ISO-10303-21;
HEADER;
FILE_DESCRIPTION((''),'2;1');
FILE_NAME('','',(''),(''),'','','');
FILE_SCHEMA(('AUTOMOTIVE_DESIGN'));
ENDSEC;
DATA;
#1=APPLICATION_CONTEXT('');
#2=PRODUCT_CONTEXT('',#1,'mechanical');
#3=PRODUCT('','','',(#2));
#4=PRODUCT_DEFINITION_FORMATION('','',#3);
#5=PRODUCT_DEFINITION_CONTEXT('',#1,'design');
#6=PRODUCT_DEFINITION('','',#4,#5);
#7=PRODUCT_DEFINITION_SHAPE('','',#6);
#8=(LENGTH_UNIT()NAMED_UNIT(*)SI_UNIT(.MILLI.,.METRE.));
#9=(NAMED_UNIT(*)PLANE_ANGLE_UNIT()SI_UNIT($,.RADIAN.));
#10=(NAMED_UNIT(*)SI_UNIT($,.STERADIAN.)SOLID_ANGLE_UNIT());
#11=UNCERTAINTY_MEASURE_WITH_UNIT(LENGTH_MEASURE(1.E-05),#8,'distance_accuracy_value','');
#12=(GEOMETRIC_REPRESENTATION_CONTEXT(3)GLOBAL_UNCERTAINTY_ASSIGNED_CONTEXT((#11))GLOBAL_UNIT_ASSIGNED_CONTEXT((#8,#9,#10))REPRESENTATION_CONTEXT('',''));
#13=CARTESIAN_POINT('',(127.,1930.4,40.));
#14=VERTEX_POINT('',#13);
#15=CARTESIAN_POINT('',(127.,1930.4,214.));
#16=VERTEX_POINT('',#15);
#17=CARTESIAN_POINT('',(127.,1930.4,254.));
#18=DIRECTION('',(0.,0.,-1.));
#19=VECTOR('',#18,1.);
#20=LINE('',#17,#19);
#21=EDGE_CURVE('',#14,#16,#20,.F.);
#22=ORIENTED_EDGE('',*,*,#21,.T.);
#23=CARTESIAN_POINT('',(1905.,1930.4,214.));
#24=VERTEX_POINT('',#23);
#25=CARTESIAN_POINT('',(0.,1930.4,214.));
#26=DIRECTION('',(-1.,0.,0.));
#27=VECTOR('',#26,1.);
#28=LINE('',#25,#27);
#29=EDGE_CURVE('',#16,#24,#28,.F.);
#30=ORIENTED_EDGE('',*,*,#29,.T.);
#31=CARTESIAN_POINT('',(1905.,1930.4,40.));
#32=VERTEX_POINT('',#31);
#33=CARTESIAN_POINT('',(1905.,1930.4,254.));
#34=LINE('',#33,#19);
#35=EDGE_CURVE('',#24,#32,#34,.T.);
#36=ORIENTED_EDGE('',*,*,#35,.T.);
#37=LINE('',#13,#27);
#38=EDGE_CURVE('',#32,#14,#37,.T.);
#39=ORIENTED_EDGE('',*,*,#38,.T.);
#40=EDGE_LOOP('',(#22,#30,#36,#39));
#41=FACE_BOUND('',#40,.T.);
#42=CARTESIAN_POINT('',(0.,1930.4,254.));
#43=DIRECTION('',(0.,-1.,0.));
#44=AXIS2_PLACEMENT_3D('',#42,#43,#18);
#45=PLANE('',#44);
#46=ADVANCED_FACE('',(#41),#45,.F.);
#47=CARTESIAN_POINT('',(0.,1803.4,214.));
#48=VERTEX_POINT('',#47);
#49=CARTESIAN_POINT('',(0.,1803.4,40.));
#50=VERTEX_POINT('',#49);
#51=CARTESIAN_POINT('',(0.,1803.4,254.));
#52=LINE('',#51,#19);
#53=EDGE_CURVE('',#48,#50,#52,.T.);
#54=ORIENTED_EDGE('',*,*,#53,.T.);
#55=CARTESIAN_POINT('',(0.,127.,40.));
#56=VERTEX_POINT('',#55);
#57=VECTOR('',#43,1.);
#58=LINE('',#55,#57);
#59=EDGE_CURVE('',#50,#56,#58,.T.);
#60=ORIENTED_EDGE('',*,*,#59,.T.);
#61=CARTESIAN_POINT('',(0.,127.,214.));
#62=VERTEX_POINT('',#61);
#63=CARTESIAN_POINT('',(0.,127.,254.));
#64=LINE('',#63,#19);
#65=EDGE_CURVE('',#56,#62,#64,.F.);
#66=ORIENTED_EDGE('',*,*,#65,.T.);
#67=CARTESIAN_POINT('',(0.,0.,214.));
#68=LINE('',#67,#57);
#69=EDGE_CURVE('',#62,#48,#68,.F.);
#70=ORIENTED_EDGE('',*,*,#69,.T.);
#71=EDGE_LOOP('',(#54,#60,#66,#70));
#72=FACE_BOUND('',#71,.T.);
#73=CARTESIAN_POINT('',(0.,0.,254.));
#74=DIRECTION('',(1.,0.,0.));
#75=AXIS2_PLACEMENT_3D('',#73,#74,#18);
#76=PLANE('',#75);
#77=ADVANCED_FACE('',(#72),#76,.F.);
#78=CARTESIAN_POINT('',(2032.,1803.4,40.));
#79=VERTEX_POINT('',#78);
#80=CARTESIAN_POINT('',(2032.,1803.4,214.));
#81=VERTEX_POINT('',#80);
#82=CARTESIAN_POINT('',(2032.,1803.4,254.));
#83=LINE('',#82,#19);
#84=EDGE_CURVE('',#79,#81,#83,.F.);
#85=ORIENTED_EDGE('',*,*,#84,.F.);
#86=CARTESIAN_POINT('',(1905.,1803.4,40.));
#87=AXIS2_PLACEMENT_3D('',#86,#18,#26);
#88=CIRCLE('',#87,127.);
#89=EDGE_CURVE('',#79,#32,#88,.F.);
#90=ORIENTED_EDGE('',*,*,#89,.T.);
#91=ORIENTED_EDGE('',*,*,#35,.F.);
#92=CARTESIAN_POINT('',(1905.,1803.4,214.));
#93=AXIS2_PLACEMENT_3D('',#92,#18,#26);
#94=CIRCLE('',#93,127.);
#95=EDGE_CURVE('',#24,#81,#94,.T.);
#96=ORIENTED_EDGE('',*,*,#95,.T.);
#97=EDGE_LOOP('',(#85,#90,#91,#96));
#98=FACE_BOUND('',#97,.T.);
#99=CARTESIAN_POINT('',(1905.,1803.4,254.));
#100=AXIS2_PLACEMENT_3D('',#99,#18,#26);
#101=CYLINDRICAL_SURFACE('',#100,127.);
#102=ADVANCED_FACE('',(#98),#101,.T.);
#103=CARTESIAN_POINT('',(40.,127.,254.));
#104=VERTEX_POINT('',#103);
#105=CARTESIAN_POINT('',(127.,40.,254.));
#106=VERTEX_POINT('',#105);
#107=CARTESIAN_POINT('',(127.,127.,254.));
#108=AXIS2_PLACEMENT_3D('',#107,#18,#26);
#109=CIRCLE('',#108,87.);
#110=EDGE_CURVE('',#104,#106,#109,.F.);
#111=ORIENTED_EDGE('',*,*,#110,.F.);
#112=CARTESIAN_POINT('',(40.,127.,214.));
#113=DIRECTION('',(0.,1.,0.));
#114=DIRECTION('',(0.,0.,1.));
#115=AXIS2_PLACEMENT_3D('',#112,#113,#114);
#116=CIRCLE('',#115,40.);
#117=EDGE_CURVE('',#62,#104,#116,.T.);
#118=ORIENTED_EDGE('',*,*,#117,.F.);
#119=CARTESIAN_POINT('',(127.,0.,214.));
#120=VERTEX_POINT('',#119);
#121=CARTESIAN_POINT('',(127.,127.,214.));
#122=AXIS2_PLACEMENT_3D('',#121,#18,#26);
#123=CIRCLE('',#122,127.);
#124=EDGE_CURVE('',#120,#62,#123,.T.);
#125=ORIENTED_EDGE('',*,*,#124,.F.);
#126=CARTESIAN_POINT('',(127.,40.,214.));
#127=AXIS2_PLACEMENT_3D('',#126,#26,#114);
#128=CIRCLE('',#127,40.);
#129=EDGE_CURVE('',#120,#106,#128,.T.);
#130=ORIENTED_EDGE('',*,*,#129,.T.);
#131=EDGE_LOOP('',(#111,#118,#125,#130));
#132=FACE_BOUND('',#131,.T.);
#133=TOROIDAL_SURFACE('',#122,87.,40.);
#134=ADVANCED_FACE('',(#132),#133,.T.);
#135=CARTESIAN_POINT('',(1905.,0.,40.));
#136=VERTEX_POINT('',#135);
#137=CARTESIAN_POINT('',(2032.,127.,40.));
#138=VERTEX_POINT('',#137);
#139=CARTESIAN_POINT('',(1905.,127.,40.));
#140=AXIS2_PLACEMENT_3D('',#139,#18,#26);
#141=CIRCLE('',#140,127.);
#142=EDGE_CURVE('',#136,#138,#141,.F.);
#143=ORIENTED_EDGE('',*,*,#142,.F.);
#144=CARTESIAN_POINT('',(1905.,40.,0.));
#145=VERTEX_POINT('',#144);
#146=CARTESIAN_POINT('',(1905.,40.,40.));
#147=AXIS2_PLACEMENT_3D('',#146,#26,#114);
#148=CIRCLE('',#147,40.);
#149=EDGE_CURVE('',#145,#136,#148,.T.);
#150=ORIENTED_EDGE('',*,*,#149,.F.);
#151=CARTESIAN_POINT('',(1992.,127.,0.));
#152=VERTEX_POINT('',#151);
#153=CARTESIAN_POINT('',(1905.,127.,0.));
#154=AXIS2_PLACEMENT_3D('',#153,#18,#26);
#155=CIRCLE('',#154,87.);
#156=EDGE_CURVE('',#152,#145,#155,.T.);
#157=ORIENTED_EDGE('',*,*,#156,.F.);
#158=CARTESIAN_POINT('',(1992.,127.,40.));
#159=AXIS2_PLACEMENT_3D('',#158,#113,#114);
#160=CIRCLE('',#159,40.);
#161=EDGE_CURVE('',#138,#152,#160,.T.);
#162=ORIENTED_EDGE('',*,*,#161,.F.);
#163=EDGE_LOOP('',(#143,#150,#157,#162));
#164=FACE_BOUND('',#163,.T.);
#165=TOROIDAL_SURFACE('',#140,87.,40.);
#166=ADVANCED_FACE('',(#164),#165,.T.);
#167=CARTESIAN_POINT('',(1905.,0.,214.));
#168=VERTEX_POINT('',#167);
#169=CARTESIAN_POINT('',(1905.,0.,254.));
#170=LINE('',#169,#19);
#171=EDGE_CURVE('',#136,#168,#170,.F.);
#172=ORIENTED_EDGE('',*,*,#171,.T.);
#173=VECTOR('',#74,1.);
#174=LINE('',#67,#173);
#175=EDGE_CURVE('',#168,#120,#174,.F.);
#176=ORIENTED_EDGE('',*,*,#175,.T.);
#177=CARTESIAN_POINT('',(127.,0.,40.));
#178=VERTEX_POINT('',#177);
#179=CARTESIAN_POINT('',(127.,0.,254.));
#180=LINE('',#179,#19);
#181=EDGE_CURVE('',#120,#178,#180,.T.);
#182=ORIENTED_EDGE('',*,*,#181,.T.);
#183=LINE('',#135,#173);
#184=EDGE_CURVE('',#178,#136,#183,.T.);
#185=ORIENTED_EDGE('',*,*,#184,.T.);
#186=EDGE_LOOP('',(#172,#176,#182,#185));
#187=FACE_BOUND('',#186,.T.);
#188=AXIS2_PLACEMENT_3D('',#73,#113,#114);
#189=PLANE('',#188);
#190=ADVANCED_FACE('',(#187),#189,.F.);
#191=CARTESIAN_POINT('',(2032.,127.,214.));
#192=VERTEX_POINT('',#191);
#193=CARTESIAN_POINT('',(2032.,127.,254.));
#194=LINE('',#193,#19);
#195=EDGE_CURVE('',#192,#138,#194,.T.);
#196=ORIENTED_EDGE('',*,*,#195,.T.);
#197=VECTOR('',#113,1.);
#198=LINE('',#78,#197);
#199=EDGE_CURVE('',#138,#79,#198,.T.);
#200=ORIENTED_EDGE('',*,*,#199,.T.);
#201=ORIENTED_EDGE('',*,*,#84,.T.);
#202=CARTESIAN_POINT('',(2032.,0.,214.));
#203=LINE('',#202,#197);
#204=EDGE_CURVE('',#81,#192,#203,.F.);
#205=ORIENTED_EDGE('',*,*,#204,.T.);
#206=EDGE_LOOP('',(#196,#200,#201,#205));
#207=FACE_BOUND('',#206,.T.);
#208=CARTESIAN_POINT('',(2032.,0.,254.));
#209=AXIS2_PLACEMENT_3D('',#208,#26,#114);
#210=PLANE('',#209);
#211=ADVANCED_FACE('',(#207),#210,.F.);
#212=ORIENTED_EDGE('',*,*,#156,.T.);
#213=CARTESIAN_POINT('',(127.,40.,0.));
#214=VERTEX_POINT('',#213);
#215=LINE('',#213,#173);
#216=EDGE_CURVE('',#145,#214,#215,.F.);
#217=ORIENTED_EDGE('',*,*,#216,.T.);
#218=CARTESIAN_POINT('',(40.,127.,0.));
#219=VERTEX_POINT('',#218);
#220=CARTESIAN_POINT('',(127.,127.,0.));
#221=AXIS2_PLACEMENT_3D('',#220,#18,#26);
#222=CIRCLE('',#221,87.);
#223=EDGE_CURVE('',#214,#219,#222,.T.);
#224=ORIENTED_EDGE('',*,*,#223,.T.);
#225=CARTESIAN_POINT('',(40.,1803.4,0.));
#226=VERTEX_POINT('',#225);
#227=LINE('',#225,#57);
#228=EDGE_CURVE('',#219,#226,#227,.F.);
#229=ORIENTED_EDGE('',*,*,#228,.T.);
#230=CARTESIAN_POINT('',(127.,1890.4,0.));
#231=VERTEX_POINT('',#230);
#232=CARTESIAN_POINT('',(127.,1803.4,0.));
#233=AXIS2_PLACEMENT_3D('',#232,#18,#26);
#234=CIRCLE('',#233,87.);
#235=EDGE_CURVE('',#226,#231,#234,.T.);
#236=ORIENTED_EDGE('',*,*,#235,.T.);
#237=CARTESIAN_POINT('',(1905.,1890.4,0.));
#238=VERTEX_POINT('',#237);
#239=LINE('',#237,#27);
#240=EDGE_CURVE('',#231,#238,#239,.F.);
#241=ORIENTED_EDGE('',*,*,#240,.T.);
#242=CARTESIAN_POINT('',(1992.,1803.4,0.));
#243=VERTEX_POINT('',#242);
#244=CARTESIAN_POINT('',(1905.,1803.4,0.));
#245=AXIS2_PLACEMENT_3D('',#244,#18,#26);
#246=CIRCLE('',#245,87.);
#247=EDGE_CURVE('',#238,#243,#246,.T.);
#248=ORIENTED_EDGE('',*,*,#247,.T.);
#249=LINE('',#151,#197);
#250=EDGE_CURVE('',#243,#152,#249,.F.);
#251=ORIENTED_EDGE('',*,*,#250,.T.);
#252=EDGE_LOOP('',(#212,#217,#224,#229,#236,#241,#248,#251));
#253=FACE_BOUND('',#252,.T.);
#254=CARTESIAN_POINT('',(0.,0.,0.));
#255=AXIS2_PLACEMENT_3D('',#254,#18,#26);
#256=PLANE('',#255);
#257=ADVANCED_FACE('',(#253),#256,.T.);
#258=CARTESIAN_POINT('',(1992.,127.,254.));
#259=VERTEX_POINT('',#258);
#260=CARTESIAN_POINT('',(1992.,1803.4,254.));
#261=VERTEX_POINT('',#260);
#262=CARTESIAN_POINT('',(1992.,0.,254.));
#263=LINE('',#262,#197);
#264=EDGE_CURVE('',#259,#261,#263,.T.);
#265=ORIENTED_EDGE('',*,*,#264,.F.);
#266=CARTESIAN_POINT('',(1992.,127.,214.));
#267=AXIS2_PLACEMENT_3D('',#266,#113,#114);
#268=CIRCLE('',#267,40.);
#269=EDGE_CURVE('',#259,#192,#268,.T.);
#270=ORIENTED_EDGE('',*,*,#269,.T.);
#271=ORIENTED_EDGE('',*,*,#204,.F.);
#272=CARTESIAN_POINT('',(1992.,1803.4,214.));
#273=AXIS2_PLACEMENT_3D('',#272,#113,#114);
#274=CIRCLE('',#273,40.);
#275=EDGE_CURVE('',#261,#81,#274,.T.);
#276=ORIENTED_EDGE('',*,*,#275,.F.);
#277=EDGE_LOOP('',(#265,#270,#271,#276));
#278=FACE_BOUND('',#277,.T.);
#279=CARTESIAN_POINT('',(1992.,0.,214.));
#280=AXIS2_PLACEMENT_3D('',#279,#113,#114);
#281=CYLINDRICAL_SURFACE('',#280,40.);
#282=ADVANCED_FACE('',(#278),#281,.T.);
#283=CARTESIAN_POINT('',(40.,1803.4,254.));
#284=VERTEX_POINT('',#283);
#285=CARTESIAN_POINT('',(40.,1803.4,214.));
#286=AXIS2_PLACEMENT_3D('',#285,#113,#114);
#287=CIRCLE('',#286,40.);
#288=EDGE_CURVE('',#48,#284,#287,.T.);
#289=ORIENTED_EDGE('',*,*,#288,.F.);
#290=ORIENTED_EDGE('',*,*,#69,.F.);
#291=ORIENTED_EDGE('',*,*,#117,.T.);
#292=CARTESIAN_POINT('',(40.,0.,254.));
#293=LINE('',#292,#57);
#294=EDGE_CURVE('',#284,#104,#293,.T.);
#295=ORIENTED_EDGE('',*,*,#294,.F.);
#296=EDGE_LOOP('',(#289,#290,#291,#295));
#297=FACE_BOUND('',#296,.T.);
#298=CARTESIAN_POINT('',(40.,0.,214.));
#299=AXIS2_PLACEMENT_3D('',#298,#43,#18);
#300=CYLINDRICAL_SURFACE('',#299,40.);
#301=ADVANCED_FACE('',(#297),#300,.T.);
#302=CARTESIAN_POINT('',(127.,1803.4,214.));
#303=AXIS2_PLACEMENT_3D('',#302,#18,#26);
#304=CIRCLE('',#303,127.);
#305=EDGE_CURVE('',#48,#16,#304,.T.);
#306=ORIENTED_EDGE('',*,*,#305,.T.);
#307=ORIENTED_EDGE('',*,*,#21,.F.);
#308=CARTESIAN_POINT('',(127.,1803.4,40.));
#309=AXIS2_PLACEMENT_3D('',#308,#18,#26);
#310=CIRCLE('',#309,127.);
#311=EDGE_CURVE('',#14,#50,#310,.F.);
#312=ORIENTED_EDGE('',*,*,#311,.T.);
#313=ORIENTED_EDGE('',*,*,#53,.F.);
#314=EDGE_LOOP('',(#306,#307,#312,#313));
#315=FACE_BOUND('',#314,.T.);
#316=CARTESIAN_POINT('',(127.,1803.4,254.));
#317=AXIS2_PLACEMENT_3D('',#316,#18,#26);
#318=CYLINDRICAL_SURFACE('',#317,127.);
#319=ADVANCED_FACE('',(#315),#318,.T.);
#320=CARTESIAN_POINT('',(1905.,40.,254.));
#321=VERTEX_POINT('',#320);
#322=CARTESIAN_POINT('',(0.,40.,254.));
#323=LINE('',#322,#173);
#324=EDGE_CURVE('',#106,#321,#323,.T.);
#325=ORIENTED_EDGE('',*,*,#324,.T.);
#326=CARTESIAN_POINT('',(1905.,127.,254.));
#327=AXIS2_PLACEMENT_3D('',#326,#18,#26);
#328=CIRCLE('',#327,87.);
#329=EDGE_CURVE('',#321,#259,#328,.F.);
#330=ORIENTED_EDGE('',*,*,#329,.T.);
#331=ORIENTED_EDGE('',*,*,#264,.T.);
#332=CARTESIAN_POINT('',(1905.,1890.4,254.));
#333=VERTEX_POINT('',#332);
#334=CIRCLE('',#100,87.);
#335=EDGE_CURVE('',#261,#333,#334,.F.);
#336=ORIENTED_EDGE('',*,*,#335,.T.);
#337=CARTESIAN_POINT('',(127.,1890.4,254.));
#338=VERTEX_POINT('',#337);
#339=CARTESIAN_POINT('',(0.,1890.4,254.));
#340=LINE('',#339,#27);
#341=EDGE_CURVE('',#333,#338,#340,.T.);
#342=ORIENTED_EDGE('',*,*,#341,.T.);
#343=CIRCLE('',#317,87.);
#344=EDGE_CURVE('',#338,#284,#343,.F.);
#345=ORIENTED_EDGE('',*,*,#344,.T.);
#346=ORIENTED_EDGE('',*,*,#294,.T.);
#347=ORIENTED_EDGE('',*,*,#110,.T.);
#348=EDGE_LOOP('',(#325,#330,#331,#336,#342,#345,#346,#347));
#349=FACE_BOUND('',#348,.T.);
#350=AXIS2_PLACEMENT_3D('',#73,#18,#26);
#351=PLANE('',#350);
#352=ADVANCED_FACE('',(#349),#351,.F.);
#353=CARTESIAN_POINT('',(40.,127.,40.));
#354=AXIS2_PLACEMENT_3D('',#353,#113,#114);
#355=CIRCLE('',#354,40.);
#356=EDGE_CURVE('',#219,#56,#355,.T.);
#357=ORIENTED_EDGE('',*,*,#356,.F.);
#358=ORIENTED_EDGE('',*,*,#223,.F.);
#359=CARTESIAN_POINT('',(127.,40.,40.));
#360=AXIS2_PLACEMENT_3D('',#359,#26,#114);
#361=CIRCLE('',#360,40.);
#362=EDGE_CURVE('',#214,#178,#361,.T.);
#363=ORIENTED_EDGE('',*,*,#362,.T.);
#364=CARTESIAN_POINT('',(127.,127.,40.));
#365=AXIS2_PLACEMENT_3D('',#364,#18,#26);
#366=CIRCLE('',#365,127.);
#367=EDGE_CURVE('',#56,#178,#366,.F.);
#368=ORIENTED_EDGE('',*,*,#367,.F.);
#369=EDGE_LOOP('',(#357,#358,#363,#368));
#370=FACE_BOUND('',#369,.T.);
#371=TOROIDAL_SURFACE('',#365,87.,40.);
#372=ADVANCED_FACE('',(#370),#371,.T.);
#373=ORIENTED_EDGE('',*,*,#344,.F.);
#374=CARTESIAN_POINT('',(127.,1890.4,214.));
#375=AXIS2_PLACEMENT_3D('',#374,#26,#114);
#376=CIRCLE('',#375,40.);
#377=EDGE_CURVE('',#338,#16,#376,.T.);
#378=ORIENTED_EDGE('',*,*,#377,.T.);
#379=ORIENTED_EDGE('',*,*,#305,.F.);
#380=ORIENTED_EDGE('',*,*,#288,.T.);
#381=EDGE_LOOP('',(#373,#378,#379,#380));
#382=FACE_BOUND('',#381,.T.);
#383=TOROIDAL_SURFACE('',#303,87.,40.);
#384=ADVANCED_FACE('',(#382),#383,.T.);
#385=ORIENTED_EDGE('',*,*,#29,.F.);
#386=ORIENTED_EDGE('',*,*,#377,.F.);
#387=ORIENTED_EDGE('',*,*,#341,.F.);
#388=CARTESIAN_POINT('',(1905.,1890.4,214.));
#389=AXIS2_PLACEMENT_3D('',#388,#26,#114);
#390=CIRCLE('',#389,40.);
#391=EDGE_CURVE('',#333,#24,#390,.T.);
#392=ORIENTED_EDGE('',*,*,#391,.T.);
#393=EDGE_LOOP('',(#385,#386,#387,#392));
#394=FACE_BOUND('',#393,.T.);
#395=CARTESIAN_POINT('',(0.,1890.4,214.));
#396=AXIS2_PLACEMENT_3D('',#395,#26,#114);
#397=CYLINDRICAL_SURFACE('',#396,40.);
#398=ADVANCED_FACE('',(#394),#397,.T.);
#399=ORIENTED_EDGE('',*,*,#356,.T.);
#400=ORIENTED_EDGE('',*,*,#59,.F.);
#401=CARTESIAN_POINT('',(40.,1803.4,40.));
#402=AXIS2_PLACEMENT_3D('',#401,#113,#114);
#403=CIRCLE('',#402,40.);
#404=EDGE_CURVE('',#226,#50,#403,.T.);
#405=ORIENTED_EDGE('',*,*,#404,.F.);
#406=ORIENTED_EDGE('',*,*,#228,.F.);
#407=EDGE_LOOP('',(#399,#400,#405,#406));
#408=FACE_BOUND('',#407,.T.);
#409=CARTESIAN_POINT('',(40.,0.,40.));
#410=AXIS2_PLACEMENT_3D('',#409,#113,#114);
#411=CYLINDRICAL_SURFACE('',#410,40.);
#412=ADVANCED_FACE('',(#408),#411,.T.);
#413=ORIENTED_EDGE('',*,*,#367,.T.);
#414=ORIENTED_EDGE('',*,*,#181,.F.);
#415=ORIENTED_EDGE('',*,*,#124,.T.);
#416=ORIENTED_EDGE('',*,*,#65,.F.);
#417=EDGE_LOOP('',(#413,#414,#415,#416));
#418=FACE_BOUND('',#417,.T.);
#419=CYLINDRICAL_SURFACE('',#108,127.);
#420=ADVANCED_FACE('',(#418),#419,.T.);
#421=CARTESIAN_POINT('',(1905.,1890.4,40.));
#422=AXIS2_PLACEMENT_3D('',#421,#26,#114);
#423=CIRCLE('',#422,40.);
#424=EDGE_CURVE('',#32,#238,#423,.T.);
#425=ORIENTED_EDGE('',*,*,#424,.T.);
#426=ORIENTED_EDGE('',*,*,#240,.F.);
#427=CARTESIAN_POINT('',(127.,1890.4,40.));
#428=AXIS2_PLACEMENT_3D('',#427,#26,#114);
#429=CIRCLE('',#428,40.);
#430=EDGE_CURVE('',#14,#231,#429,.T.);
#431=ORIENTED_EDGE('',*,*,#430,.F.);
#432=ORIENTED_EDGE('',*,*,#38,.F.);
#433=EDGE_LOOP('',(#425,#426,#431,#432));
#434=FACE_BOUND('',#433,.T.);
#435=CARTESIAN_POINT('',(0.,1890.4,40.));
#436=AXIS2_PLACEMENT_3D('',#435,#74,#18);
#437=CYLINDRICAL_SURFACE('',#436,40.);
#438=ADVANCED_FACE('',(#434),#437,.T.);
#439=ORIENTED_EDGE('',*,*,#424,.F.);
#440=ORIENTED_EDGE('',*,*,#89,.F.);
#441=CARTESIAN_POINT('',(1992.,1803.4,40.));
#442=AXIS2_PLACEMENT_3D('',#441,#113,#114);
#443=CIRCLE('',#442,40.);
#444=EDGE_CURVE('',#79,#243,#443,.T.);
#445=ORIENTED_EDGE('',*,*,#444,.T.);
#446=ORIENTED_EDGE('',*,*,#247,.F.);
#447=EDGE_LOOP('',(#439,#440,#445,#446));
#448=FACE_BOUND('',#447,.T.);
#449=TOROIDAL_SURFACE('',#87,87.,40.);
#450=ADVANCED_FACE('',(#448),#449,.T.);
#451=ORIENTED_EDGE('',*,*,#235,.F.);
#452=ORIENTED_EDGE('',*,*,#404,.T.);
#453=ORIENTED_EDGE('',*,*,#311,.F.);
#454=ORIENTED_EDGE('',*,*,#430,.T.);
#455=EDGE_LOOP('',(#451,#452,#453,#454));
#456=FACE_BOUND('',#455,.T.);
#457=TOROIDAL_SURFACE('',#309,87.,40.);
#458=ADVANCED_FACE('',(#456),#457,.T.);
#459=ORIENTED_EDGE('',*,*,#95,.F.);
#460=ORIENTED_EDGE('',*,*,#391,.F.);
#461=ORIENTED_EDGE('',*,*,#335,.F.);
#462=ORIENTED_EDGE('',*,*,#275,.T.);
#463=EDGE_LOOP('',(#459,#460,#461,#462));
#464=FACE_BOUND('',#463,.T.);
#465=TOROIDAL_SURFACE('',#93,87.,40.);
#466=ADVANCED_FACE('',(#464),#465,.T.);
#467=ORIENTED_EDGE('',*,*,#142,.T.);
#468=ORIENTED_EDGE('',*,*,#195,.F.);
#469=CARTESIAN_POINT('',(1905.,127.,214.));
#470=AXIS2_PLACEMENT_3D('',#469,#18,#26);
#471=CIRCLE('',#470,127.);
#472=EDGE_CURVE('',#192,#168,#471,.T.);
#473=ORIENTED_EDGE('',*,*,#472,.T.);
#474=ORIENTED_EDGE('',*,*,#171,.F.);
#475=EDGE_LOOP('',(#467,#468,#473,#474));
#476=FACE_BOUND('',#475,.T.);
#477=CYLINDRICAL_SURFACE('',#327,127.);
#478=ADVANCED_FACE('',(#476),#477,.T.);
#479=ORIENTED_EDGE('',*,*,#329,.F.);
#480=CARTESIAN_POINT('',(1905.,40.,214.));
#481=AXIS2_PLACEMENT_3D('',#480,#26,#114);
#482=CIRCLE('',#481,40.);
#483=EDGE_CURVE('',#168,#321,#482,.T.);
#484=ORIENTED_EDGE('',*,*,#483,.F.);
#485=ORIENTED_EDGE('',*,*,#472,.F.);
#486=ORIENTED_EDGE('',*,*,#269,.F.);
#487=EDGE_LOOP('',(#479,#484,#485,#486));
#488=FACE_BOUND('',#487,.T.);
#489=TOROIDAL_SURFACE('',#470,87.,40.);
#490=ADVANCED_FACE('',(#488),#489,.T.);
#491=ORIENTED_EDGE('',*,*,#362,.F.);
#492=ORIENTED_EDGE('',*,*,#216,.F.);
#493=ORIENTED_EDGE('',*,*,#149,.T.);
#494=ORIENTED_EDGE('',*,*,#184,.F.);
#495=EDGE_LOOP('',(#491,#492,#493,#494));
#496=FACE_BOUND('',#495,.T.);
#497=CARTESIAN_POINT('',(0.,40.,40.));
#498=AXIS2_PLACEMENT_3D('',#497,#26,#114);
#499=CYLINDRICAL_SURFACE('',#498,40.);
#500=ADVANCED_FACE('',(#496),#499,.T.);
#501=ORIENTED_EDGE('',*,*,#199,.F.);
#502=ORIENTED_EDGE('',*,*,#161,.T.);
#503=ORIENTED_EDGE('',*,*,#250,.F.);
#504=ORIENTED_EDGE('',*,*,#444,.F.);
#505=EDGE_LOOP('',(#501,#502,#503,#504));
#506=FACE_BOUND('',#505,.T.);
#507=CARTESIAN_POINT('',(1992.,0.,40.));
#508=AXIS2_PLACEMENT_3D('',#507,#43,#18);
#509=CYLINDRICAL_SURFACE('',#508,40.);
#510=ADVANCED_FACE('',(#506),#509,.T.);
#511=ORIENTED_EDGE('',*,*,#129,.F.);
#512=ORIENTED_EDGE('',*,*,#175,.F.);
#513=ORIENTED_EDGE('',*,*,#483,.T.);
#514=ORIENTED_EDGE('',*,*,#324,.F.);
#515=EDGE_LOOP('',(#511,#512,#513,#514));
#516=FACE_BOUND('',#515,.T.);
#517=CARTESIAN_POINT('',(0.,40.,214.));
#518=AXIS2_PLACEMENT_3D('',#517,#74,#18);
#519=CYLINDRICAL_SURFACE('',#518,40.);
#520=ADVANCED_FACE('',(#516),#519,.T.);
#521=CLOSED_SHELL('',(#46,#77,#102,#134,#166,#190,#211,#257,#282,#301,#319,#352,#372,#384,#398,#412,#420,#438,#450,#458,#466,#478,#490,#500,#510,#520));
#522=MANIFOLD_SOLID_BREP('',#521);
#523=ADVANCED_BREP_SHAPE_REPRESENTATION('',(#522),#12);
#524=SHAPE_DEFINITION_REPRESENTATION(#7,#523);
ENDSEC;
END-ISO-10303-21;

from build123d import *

# Parameters (mm, degrees)
SKETCH1_W           = 2032
SKETCH1_H           = 1930.4
BOSS_EXTRUDE1_DEPTH = 254
FILLET1_R           = 127
FILLET2_R           = 40


with BuildPart() as part:
    # Sketch1 → Boss-Extrude1 (new body)
    with BuildSketch(Plane.XY):
        with Locations((1016, 965.2)):
            Rectangle(SKETCH1_W, SKETCH1_H)
    extrude(amount=BOSS_EXTRUDE1_DEPTH)

    # Fillet1
    fillet1_edges = [part.edges().sort_by_distance(p)[0] for p in [
        (0, 1930.4, 127),
        (2032, 1930.4, 127),
        (2032, 0, 127),
        (0, 0, 127),
    ]]
    fillet(fillet1_edges, radius=FILLET1_R)

    # Fillet2
    fillet2_edges = [part.edges().sort_by_distance(p)[0] for p in [
        (0, 965.2, 0),
        (0, 965.2, 254),
        (1016, 1930.4, 0),
        (2032, 965.2, 0),
        (1016, 0, 0),
        (1994.802561211, 1893.202561211, 0),
        (1994.802561211, 37.197438789, 0),
        (37.197438789, 37.197438789, 0),
        (37.197438789, 1893.202561211, 0),
        (1016, 1930.4, 254),
        (1016, 0, 254),
        (2032, 965.2, 254),
        (1994.802561211, 1893.202561211, 254),
        (1994.802561211, 37.197438789, 254),
        (37.197438789, 37.197438789, 254),
        (37.197438789, 1893.202561211, 254),
    ]]
    fillet(fillet2_edges, radius=FILLET2_R)


solid = part.part
